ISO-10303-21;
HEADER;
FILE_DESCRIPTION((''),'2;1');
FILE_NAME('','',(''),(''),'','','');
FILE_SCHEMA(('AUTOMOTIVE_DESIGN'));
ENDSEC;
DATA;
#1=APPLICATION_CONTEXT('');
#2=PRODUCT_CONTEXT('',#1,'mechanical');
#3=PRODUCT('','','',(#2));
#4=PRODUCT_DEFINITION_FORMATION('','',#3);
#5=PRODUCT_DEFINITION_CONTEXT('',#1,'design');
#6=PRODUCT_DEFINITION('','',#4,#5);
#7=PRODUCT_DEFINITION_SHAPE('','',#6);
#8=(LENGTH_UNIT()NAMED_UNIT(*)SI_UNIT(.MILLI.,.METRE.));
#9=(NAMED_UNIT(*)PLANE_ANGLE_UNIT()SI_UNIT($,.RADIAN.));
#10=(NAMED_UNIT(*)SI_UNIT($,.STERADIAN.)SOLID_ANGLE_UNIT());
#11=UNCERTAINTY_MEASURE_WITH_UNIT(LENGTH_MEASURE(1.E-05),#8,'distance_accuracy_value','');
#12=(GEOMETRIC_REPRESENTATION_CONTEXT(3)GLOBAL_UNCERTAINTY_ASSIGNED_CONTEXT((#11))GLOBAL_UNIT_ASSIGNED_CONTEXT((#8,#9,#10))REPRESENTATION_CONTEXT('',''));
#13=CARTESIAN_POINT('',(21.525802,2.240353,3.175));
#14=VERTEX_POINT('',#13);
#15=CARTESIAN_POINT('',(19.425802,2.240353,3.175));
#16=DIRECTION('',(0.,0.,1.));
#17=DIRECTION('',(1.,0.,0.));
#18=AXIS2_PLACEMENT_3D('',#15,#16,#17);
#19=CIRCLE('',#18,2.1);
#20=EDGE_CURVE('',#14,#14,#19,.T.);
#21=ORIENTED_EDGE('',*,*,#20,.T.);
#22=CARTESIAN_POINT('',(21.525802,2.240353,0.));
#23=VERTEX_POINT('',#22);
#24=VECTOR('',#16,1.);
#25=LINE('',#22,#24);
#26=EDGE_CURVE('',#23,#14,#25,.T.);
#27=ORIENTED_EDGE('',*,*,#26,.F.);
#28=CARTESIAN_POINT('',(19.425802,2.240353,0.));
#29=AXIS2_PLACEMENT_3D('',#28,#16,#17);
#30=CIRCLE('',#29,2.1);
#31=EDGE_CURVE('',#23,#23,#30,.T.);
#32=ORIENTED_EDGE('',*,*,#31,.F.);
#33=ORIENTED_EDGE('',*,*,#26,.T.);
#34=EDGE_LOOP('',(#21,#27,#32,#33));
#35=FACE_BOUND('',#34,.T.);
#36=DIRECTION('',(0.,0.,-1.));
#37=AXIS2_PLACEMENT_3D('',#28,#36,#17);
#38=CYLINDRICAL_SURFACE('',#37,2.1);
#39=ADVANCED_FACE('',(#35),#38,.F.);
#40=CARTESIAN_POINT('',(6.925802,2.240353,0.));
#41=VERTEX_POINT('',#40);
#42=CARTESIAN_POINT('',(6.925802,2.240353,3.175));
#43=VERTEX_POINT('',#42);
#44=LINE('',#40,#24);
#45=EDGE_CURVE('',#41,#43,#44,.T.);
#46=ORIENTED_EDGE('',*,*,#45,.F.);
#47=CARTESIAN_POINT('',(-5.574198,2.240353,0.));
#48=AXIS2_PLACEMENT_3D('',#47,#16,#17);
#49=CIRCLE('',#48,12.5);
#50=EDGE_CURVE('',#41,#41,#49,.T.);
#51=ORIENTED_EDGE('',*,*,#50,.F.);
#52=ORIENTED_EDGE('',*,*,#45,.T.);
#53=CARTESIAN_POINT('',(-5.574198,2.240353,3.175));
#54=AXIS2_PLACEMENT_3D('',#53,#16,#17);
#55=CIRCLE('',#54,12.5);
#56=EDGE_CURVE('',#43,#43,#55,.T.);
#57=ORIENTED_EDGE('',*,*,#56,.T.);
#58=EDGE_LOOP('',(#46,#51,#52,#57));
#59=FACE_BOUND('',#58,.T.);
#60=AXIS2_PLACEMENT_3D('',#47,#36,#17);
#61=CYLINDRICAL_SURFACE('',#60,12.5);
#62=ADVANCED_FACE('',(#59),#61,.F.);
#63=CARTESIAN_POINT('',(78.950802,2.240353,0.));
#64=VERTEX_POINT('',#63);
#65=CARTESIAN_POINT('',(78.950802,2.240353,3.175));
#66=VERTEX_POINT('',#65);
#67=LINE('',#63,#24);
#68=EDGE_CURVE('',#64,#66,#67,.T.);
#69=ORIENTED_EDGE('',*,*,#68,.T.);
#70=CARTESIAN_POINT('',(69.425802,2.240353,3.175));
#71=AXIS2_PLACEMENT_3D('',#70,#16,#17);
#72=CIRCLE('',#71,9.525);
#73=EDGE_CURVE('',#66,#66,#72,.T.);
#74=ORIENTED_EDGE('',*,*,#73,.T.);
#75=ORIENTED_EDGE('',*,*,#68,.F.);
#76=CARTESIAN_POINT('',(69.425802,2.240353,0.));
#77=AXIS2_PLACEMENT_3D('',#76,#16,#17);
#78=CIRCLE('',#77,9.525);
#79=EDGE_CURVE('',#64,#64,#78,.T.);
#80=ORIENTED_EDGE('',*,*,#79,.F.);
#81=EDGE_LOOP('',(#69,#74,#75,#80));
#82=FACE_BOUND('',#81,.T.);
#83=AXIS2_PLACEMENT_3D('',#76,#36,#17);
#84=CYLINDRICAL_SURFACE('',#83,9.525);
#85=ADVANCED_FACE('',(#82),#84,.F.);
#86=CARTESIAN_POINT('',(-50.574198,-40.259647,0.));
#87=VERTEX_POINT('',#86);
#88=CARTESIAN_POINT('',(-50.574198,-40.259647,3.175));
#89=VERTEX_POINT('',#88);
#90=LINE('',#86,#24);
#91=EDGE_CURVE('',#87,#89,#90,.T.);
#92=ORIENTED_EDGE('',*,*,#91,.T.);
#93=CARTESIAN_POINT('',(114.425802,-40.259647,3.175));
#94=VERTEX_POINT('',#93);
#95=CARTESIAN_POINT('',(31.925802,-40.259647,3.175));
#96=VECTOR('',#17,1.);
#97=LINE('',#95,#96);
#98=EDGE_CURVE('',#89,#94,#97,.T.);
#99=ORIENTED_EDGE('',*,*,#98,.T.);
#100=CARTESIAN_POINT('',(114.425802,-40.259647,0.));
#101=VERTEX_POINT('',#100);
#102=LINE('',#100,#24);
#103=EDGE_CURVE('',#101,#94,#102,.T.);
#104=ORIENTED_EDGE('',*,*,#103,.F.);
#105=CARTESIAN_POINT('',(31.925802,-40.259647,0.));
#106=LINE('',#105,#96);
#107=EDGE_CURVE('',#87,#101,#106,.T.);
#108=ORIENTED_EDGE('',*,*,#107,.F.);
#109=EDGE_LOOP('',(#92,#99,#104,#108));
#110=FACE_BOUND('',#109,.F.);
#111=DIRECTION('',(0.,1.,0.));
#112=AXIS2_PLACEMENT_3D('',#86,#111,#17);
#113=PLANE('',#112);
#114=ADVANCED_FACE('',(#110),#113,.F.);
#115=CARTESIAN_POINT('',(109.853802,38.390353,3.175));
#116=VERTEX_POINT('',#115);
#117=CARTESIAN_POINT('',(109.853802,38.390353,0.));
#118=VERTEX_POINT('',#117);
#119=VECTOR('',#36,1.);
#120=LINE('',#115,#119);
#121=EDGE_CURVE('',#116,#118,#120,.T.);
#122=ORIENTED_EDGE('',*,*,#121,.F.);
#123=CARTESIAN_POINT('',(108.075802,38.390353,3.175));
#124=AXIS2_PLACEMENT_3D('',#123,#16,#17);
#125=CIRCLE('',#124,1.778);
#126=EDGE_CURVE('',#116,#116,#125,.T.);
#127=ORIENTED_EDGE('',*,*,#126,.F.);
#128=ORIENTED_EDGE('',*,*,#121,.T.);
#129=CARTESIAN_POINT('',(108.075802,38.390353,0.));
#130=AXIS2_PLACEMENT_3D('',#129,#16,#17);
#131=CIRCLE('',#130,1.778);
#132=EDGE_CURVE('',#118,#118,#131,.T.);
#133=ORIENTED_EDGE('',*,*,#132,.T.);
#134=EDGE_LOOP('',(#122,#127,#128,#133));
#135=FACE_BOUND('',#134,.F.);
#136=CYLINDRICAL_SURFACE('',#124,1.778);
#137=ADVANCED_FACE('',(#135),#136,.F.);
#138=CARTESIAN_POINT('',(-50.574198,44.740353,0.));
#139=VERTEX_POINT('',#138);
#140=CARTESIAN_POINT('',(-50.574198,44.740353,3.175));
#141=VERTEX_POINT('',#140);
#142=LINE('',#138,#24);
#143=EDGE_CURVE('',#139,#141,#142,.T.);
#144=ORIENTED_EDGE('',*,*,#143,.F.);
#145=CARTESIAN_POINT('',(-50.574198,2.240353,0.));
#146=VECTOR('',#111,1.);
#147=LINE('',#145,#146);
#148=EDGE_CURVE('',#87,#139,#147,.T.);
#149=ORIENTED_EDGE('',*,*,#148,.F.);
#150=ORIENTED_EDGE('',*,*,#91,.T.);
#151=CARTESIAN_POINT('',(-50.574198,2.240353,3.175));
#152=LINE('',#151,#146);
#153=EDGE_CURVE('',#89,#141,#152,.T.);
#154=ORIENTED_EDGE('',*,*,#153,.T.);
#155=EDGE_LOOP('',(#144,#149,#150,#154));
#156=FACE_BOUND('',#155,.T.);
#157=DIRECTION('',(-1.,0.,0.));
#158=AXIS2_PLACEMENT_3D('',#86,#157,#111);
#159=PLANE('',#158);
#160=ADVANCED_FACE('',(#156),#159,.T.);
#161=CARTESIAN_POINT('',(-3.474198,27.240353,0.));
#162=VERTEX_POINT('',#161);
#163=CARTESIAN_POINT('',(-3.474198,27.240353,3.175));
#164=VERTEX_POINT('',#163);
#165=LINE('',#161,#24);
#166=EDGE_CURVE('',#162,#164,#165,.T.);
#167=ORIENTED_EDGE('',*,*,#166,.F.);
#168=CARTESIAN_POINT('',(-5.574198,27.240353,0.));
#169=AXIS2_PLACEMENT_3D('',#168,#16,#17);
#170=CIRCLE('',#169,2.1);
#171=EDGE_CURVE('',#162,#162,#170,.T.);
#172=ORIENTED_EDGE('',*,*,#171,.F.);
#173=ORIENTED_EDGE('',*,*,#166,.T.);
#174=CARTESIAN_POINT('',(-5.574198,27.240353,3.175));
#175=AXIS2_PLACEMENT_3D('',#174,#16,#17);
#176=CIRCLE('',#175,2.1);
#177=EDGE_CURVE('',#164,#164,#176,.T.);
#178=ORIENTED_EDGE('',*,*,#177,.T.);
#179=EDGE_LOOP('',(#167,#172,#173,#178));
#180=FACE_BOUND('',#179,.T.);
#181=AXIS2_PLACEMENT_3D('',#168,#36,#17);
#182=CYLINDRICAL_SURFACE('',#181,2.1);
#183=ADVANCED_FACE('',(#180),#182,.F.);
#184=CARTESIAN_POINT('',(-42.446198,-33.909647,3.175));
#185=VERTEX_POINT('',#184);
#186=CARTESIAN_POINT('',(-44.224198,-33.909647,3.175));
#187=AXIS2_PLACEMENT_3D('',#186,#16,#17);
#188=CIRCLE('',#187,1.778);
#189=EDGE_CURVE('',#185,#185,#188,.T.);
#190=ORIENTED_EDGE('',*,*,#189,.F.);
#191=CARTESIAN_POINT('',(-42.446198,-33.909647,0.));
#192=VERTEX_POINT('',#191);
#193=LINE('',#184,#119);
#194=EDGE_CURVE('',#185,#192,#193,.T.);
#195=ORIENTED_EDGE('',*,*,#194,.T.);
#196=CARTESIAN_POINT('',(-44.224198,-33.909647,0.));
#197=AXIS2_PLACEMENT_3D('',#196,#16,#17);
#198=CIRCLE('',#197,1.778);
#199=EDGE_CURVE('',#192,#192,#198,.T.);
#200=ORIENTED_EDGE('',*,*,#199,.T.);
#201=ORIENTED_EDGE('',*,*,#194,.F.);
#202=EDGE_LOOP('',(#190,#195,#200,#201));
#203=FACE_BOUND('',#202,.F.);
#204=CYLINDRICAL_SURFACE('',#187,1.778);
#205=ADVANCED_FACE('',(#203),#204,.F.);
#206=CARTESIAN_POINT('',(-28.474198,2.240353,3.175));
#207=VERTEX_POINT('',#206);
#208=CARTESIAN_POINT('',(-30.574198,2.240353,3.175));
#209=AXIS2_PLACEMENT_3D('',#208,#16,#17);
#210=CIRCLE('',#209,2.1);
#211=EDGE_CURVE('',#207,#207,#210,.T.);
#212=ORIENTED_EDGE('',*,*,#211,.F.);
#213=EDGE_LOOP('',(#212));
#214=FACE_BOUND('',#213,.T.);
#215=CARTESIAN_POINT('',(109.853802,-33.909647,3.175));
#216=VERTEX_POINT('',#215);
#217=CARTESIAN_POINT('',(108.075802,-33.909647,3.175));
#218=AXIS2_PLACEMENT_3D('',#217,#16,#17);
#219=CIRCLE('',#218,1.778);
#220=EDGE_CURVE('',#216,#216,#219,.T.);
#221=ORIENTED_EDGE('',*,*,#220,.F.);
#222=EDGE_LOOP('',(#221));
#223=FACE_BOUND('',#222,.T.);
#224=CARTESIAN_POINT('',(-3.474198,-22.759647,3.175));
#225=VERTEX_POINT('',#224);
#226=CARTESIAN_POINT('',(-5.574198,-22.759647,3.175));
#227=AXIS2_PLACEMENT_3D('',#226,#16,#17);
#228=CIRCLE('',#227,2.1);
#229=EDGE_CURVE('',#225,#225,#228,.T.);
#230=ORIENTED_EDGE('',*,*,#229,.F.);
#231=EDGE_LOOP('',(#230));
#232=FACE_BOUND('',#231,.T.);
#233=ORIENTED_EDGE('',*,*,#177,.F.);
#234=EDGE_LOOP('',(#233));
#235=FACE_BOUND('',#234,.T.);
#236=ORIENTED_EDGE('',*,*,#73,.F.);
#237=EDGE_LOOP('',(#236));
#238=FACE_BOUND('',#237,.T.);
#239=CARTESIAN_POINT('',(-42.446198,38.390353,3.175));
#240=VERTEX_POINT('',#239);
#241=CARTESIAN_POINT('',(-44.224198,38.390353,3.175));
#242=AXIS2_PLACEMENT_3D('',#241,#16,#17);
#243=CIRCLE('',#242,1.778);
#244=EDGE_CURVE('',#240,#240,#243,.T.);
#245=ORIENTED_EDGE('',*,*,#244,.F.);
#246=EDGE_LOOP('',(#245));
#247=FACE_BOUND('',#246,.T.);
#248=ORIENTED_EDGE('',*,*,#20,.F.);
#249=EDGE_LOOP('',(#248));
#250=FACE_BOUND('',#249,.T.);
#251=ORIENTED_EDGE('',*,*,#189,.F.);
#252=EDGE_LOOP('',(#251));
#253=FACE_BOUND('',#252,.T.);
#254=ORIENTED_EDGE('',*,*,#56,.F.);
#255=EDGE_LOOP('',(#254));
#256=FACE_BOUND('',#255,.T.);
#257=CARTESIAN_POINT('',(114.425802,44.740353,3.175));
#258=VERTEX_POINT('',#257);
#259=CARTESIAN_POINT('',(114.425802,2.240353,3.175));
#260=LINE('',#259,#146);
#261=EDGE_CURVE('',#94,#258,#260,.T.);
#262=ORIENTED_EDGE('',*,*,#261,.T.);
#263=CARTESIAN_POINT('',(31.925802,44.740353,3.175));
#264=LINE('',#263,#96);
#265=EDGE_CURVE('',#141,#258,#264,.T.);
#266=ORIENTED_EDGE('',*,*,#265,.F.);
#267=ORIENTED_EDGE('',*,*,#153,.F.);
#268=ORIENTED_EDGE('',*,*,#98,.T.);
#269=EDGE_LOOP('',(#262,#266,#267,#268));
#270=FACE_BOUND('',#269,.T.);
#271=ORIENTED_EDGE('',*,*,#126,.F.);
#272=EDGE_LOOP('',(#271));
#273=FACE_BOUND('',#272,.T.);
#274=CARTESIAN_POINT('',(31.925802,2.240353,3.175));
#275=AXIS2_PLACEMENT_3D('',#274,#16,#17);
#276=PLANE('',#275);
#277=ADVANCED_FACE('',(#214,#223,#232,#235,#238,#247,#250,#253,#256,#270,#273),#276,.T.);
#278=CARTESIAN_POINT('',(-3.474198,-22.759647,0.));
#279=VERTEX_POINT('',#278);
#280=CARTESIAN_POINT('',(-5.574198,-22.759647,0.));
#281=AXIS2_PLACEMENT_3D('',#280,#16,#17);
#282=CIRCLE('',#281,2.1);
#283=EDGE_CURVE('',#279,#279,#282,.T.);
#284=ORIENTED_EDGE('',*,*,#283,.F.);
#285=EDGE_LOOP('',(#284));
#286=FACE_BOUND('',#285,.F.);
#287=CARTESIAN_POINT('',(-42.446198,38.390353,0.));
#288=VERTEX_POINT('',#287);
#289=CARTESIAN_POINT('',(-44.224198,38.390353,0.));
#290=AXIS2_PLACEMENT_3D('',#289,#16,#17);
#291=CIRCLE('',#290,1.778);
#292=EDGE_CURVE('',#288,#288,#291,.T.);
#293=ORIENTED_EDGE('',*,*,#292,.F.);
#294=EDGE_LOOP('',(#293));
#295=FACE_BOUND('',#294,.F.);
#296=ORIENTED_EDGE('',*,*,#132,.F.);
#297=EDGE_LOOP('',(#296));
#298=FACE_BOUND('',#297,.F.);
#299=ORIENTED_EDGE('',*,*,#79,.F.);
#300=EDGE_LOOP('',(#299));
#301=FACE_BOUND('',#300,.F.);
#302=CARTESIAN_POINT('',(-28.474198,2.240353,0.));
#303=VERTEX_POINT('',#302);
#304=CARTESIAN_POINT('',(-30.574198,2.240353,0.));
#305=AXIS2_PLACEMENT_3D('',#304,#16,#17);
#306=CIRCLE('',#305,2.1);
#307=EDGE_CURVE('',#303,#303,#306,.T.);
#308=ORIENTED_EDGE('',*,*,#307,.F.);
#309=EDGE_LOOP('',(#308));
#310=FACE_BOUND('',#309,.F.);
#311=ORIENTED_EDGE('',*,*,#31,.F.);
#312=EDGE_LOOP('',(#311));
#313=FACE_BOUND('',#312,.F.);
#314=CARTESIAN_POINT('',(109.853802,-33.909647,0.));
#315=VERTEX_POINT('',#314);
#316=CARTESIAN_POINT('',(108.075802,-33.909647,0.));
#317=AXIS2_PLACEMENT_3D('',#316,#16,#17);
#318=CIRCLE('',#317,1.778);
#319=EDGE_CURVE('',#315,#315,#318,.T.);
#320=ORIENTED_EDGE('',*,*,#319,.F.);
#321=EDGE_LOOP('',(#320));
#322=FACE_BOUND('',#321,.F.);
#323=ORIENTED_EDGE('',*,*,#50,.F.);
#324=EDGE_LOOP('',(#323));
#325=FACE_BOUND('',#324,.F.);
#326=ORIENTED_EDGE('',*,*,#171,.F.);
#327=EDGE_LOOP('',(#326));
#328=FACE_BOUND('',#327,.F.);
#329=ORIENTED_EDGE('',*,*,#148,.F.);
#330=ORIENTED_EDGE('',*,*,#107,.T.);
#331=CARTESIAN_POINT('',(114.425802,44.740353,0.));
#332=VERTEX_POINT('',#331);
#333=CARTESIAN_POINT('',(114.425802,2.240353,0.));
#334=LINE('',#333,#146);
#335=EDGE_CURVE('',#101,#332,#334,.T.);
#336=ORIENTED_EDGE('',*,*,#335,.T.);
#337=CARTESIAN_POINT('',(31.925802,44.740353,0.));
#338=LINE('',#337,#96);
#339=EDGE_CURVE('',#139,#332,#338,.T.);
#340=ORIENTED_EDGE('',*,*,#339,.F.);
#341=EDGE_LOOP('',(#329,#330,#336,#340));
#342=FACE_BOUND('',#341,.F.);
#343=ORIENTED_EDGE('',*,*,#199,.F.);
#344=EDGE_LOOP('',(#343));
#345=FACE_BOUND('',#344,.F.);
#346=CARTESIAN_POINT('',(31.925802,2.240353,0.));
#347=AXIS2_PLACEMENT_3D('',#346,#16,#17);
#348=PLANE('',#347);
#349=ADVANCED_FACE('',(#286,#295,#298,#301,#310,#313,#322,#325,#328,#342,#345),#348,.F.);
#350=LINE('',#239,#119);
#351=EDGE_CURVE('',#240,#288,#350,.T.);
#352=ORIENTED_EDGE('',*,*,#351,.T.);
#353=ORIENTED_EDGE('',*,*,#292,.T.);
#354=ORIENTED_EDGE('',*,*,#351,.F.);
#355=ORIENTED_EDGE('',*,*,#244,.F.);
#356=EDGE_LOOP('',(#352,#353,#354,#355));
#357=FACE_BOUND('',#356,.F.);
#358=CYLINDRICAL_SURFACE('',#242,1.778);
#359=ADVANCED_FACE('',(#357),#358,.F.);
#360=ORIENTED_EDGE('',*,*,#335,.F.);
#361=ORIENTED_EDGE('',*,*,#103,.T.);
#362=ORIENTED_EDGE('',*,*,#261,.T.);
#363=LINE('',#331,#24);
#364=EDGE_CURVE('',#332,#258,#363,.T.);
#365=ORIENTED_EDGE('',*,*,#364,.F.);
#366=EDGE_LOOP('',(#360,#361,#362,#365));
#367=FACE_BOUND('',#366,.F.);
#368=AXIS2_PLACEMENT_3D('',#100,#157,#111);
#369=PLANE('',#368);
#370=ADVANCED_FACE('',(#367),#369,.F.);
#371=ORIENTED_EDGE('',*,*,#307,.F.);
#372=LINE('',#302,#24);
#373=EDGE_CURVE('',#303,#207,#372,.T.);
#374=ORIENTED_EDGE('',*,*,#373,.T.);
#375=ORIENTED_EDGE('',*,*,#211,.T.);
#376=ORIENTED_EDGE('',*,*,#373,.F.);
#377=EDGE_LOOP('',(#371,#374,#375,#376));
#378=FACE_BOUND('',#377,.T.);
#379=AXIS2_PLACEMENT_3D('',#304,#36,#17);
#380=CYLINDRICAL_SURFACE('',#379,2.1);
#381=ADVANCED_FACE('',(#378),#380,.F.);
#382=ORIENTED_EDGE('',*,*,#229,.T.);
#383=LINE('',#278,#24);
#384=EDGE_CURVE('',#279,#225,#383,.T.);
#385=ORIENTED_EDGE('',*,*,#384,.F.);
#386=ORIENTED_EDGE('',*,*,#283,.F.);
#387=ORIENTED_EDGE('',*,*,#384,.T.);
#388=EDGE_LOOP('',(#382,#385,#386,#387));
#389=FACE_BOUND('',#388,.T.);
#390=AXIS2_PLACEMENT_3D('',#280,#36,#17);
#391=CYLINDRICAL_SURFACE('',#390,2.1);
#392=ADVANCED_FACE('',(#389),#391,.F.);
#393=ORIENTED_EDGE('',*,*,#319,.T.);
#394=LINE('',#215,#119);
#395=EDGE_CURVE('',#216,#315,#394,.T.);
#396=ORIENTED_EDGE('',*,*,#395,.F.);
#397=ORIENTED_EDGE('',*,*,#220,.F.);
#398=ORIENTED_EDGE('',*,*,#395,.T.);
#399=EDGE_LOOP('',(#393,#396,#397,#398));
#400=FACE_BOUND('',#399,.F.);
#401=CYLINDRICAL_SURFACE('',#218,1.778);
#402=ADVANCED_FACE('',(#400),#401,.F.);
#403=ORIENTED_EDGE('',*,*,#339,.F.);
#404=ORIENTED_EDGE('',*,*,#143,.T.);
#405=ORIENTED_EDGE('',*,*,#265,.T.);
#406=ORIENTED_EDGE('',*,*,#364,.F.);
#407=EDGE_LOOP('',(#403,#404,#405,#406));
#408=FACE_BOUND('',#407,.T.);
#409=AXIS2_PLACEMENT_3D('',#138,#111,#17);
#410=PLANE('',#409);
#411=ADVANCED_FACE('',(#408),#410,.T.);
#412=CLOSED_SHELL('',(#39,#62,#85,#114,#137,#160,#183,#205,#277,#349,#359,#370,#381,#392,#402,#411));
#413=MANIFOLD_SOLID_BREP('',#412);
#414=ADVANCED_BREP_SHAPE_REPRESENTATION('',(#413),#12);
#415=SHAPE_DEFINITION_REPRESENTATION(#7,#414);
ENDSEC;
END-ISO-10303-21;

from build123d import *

# Parameters (mm, degrees)
F0_W     = 165
F0_H     = 85
F0_R     = 2.1
F0_R_2   = 12.5
F0_R_3   = 9.525
F1_DEPTH = 3.175
F2_R     = 1.778
F3_DEPTH = 3.175


with BuildPart() as f1:
    # F0 (on Top) → F1 (new body)
    with BuildSketch(Plane.XY):
        with Locations((31.925802, 2.240353)):
            Rectangle(F0_W, F0_H)
        with Locations((-5.574198, -22.759647)):
            Circle(F0_R, mode=Mode.SUBTRACT)
        with Locations((-30.574198, 2.240353)):
            Circle(F0_R, mode=Mode.SUBTRACT)
        with Locations((-5.574198, 2.240353)):
            Circle(F0_R_2, mode=Mode.SUBTRACT)
        with Locations((19.425802, 2.240353)):
            Circle(F0_R, mode=Mode.SUBTRACT)
        with Locations((-5.574198, 27.240353)):
            Circle(F0_R, mode=Mode.SUBTRACT)
        with Locations((69.425802, 2.240353)):
            Circle(F0_R_3, mode=Mode.SUBTRACT)
    extrude(amount=F1_DEPTH)

    # F2 (on face) → F3 (cut, through all)
    with BuildSketch(Plane.XY.offset(3.175)):
        with Locations((-44.224198, 38.390353)):
            Circle(F2_R)
        with Locations((-44.224198, -33.909647)):
            Circle(F2_R)
        with Locations((108.075802, 38.390353)):
            Circle(F2_R)
        with Locations((108.075802, -33.909647)):
            Circle(F2_R)
    extrude(amount=-F3_DEPTH, mode=Mode.SUBTRACT)


solid = f1.part
